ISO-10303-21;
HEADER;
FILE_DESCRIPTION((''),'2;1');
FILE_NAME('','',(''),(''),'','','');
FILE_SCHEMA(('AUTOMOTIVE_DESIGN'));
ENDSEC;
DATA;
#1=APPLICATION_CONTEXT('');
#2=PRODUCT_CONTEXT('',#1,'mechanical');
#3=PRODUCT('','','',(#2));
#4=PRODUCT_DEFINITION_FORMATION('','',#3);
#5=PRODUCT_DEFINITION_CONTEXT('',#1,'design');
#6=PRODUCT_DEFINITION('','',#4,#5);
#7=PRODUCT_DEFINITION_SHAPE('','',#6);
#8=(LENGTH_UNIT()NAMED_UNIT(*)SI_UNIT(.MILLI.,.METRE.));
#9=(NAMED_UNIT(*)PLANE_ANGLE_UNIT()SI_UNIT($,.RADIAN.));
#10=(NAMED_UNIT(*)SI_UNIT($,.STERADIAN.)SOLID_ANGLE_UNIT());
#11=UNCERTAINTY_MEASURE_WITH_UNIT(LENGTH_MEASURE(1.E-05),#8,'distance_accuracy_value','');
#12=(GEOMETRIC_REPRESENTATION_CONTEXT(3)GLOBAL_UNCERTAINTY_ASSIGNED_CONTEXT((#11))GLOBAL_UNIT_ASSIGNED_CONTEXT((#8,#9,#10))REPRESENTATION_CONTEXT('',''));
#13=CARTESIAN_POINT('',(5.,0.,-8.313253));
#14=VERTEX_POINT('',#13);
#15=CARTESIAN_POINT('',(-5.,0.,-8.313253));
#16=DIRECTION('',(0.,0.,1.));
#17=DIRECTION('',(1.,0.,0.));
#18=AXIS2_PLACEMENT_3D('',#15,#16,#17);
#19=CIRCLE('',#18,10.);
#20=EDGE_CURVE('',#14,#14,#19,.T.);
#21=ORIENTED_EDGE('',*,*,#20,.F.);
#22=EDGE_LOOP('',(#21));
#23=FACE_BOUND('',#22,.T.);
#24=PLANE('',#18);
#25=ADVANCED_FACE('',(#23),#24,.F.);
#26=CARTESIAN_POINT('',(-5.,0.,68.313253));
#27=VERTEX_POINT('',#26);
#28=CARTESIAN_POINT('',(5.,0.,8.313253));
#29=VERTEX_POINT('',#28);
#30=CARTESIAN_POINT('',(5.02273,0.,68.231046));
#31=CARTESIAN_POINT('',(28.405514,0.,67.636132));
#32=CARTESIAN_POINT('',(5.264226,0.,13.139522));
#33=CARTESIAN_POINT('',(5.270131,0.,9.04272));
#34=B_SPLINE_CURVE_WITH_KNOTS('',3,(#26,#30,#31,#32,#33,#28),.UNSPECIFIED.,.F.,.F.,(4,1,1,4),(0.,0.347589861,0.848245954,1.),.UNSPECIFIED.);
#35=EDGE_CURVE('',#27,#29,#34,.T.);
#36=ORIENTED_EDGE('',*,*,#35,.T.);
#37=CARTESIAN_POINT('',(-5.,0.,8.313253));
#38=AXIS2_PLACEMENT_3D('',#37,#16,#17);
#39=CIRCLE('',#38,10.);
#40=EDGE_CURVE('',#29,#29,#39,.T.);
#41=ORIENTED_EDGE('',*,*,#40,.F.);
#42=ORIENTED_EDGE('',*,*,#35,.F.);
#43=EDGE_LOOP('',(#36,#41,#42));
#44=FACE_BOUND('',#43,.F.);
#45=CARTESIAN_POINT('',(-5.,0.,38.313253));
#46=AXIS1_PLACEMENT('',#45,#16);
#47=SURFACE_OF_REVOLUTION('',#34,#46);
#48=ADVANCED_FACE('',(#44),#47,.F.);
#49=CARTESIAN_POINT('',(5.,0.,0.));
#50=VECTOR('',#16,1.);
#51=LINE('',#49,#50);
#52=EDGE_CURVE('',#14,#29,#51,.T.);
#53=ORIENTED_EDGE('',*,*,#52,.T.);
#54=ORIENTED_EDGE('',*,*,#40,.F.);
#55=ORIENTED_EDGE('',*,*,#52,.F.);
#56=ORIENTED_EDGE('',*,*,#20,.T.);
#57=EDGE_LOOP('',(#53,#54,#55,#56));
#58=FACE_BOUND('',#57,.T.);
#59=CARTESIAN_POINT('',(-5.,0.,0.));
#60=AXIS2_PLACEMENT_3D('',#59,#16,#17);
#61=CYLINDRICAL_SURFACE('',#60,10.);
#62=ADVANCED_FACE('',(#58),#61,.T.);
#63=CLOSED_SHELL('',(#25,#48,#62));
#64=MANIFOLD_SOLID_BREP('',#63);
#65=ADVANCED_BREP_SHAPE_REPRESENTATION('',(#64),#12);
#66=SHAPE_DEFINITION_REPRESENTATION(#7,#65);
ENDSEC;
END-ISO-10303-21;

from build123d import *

# Parameters (mm, degrees)
F0_W = 10
F0_H = 16.6265054392


with BuildPart() as f1:
    # F0 (on Front) → F1 (revolve)
    with BuildSketch(Plane.XZ):
        with BuildLine():
            Line((-5, 68.3132527196), (-5, 8.3132527196))
            Line((-5, 8.3132527196), (5, 8.3132527196))
            add(Edge.make_bspline(
                [(-5, 68.3132527196), (5.0227302127, 68.2310461998), (28.4055140042, 67.6361321729), (5.2642259242, 13.1395222663), (5.270130648, 9.0427201073), (5, 8.3132527196)],
                knots=[0, 0, 0, 0, 0.3475898614, 0.8482459544, 1, 1, 1, 1], degree=3))
        make_face()
        Rectangle(F0_W, F0_H)
    revolve(axis=Axis((-5, 0, 38.3132527196), (0, 0, 1)))


solid = f1.part
